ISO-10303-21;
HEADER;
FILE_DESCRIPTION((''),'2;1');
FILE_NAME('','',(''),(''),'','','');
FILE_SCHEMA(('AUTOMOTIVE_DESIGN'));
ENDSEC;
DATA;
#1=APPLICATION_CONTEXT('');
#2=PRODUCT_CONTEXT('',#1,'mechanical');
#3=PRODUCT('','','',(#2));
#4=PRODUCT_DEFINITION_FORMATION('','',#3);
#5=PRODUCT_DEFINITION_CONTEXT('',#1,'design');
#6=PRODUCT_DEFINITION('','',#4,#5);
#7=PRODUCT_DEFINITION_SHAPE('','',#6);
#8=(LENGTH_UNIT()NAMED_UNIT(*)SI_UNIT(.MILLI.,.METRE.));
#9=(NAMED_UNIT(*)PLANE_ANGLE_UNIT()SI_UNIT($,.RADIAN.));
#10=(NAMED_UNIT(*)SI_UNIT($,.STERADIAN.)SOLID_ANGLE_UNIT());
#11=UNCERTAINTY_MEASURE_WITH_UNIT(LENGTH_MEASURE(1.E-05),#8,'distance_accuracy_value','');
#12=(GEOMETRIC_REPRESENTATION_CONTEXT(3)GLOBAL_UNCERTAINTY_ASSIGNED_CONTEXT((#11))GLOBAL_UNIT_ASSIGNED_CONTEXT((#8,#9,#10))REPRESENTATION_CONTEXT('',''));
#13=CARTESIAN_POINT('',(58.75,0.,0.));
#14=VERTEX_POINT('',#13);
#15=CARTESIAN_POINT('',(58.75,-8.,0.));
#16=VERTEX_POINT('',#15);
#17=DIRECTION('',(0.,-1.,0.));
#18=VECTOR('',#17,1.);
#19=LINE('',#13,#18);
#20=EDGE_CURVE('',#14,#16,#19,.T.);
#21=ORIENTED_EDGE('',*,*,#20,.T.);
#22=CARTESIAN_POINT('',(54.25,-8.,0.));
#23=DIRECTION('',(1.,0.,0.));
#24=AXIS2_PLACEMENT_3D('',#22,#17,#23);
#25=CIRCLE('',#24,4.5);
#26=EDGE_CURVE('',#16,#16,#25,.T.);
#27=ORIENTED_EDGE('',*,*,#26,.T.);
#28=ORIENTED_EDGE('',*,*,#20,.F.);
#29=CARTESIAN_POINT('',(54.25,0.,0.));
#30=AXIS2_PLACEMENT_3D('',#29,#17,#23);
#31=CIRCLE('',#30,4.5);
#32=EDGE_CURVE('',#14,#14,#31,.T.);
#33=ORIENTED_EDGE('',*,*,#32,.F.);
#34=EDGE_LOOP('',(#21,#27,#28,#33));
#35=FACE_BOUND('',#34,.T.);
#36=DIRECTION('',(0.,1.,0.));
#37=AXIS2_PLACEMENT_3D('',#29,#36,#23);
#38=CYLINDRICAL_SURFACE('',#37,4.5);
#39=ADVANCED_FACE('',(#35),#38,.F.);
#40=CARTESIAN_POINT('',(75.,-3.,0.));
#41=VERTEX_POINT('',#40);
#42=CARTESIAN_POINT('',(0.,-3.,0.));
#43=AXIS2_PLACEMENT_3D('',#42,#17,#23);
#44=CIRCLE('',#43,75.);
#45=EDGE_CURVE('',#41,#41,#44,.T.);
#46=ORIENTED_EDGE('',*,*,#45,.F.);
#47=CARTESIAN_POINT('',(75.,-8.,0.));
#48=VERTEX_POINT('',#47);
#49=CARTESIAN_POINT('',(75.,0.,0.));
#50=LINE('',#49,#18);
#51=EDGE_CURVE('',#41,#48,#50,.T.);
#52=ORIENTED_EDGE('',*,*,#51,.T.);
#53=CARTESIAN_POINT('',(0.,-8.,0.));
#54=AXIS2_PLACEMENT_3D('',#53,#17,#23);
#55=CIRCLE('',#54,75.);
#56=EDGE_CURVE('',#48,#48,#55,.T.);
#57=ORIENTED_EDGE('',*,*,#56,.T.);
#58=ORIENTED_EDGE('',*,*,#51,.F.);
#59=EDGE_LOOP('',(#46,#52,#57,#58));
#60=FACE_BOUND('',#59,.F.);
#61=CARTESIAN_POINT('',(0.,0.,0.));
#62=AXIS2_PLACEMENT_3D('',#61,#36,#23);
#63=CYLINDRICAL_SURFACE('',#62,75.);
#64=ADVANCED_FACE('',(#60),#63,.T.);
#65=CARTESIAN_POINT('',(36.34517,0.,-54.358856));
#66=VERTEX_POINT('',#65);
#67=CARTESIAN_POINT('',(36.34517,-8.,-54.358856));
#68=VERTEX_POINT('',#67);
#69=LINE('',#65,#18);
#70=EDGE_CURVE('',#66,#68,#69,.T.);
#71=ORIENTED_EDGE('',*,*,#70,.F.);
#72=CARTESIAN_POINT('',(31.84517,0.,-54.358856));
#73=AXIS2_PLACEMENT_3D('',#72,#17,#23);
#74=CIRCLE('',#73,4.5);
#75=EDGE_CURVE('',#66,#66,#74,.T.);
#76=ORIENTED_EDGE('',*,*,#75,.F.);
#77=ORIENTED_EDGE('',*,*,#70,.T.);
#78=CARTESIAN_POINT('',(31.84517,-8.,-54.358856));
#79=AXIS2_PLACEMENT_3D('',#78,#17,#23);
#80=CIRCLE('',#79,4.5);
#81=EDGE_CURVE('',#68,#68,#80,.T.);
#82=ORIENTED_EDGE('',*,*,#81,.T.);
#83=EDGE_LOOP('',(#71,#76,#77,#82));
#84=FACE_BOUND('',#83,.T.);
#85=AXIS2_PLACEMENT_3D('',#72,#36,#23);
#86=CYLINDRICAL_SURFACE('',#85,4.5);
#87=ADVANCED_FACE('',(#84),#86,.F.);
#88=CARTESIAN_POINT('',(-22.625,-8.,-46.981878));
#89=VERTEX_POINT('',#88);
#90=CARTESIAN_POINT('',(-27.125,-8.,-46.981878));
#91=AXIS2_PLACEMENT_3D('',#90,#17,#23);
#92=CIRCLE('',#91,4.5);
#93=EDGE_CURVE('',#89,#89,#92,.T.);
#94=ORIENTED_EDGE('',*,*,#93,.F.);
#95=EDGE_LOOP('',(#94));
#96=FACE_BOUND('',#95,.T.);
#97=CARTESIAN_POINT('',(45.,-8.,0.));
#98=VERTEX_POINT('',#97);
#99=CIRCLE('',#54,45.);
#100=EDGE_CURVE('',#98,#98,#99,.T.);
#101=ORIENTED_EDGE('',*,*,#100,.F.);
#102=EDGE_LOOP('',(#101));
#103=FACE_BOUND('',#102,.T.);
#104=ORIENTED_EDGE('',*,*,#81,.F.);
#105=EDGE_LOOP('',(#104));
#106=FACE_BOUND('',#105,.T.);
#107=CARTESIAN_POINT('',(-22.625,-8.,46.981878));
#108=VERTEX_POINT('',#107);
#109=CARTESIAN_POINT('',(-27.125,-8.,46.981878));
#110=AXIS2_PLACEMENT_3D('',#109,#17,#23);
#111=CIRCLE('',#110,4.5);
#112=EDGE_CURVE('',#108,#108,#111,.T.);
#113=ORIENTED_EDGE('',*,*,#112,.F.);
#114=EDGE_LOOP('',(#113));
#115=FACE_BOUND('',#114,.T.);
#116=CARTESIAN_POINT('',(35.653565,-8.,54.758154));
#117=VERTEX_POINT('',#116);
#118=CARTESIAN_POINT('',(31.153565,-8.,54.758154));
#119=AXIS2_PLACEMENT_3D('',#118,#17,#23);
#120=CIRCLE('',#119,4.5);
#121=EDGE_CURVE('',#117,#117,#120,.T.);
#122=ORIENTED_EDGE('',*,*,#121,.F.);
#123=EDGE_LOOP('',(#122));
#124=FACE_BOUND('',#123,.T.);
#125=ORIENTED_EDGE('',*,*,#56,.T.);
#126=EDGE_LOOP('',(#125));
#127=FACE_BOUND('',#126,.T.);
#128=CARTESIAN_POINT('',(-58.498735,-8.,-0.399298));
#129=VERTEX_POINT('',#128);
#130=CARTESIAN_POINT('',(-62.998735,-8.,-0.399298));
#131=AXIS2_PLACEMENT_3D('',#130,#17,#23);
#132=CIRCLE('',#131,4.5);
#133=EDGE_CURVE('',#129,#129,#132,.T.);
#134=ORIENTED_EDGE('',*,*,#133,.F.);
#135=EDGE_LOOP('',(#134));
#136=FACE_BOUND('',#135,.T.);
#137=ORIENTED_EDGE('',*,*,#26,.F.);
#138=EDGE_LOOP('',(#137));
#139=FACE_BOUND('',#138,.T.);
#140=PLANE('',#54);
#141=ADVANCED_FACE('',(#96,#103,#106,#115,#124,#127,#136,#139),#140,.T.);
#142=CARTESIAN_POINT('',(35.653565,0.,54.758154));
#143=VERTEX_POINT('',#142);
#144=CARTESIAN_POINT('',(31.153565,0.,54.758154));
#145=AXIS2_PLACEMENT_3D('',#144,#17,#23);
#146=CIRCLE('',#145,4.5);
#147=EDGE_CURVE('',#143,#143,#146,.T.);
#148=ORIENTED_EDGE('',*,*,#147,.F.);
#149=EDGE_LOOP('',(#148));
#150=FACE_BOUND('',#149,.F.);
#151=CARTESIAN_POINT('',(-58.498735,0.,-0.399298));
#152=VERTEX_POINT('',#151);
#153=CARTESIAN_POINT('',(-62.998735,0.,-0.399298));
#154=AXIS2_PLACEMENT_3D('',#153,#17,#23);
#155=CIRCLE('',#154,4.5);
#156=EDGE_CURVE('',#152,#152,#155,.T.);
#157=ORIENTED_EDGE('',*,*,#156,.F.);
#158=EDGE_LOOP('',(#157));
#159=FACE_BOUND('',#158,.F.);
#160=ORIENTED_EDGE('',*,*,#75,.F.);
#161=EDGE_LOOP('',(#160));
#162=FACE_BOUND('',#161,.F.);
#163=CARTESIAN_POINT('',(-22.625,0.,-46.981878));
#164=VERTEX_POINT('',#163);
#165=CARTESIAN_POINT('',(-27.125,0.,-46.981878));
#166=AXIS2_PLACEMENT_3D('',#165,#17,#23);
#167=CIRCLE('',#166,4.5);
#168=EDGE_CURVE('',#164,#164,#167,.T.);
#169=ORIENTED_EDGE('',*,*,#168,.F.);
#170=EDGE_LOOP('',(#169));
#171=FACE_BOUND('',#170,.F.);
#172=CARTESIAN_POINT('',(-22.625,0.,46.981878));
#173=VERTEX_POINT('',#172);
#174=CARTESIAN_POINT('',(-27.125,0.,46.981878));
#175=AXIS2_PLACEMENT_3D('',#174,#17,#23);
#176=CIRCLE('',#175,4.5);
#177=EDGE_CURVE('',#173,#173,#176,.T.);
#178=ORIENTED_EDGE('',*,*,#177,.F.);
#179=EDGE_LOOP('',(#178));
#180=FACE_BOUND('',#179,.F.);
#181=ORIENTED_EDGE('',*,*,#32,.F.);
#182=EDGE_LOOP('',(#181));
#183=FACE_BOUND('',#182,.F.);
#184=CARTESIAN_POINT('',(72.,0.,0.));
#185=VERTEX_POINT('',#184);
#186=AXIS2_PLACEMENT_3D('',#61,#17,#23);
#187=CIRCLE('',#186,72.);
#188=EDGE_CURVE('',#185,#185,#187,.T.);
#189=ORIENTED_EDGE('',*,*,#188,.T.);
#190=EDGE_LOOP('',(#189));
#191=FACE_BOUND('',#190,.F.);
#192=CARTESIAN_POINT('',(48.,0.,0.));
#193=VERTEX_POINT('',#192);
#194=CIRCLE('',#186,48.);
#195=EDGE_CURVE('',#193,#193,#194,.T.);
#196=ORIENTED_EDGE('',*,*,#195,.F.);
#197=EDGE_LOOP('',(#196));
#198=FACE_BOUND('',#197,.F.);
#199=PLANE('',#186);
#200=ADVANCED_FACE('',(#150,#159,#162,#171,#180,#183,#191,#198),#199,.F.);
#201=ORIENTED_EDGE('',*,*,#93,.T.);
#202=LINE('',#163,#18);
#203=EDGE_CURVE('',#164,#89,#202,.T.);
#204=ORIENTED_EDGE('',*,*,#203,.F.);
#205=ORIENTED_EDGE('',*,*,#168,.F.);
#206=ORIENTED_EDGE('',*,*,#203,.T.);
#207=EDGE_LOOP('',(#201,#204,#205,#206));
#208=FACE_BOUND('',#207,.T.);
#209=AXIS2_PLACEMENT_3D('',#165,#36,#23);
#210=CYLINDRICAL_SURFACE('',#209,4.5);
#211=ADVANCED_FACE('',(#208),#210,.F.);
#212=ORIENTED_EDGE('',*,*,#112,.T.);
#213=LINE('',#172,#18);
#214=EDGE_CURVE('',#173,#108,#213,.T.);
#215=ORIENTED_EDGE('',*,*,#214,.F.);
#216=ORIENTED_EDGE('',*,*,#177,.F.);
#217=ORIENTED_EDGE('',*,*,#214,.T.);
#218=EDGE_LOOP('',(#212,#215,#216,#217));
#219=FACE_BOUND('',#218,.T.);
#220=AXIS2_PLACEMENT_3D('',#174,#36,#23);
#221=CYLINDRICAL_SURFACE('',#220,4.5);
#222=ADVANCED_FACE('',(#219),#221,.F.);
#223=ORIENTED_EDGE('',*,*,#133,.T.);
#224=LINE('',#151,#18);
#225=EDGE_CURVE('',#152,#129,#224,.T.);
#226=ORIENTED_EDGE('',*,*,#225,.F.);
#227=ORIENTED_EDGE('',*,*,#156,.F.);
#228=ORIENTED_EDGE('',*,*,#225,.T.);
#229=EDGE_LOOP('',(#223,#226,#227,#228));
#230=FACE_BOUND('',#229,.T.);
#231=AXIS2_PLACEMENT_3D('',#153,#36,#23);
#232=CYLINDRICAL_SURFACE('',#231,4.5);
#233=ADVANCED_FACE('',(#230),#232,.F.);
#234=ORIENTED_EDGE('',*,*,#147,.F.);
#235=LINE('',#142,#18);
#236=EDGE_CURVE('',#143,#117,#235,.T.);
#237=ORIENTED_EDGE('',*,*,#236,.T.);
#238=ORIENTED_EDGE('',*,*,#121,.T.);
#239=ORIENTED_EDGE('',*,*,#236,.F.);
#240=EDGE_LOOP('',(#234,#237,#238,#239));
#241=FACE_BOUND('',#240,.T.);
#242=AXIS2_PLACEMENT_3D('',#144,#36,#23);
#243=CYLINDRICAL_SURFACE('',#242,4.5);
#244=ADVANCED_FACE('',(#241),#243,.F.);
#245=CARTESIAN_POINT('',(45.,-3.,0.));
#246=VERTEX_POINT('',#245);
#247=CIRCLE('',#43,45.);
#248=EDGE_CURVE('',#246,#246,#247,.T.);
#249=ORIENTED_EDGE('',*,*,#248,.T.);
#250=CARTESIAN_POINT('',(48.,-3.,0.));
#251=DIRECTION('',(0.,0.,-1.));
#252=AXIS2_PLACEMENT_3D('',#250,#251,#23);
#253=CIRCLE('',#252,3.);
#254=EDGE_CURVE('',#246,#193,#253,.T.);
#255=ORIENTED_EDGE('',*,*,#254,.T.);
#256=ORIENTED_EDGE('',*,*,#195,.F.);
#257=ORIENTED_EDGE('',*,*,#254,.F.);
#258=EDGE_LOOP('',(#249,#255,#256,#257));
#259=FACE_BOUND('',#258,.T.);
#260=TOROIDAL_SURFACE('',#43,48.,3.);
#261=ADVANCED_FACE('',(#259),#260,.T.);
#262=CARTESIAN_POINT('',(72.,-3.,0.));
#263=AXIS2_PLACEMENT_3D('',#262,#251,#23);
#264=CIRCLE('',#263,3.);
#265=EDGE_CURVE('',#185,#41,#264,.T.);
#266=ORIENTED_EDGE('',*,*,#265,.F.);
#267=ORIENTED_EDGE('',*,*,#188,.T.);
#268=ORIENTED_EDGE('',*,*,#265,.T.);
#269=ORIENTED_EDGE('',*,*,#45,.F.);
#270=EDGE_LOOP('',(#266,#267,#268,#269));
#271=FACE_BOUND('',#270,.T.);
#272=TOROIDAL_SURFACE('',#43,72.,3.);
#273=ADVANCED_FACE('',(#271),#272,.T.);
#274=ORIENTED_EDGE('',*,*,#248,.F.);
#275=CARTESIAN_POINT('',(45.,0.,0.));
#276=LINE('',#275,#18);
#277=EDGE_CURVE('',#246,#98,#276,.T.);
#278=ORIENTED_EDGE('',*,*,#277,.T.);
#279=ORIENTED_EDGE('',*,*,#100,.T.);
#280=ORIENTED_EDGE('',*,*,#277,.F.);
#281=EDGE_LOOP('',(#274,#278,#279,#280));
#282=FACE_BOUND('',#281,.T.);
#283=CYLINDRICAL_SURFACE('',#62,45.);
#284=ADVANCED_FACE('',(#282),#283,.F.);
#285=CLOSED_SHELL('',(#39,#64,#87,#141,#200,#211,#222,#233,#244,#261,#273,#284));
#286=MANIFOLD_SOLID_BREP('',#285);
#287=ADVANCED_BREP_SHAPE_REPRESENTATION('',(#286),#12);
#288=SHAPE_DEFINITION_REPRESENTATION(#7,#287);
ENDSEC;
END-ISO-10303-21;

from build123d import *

# Parameters (mm, degrees)
F0_R     = 75
F0_R_2   = 4.5
F0_R_3   = 45
F1_DEPTH = 8
F2_R     = 3
F3_R     = 3


with BuildPart() as f1:
    # F0 (on Front) → F1 (new body)
    with BuildSketch(Plane.XZ):
        Circle(F0_R)
        with Locations((-27.125, -46.981878)):
            Circle(F0_R_2, mode=Mode.SUBTRACT)
        with Locations((-62.998735, -0.399298)):
            Circle(F0_R_2, mode=Mode.SUBTRACT)
        with Locations((31.84517, -54.358856)):
            Circle(F0_R_2, mode=Mode.SUBTRACT)
        with Locations((-27.125, 46.981878)):
            Circle(F0_R_2, mode=Mode.SUBTRACT)
        Circle(F0_R_3, mode=Mode.SUBTRACT)
        with Locations((54.25, 0)):
            Circle(F0_R_2, mode=Mode.SUBTRACT)
        with Locations((31.153565, 54.758154)):
            Circle(F0_R_2, mode=Mode.SUBTRACT)
    extrude(amount=F1_DEPTH)

    # F2
    f2_edges = [f1.edges().sort_by_distance(p)[0] for p in [
        (-45, 0, 0),
    ]]
    fillet(f2_edges, radius=F2_R)

    # F3
    f3_edges = [f1.edges().sort_by_distance(p)[0] for p in [
        (-75, 0, 0),
    ]]
    fillet(f3_edges, radius=F3_R)


solid = f1.part
